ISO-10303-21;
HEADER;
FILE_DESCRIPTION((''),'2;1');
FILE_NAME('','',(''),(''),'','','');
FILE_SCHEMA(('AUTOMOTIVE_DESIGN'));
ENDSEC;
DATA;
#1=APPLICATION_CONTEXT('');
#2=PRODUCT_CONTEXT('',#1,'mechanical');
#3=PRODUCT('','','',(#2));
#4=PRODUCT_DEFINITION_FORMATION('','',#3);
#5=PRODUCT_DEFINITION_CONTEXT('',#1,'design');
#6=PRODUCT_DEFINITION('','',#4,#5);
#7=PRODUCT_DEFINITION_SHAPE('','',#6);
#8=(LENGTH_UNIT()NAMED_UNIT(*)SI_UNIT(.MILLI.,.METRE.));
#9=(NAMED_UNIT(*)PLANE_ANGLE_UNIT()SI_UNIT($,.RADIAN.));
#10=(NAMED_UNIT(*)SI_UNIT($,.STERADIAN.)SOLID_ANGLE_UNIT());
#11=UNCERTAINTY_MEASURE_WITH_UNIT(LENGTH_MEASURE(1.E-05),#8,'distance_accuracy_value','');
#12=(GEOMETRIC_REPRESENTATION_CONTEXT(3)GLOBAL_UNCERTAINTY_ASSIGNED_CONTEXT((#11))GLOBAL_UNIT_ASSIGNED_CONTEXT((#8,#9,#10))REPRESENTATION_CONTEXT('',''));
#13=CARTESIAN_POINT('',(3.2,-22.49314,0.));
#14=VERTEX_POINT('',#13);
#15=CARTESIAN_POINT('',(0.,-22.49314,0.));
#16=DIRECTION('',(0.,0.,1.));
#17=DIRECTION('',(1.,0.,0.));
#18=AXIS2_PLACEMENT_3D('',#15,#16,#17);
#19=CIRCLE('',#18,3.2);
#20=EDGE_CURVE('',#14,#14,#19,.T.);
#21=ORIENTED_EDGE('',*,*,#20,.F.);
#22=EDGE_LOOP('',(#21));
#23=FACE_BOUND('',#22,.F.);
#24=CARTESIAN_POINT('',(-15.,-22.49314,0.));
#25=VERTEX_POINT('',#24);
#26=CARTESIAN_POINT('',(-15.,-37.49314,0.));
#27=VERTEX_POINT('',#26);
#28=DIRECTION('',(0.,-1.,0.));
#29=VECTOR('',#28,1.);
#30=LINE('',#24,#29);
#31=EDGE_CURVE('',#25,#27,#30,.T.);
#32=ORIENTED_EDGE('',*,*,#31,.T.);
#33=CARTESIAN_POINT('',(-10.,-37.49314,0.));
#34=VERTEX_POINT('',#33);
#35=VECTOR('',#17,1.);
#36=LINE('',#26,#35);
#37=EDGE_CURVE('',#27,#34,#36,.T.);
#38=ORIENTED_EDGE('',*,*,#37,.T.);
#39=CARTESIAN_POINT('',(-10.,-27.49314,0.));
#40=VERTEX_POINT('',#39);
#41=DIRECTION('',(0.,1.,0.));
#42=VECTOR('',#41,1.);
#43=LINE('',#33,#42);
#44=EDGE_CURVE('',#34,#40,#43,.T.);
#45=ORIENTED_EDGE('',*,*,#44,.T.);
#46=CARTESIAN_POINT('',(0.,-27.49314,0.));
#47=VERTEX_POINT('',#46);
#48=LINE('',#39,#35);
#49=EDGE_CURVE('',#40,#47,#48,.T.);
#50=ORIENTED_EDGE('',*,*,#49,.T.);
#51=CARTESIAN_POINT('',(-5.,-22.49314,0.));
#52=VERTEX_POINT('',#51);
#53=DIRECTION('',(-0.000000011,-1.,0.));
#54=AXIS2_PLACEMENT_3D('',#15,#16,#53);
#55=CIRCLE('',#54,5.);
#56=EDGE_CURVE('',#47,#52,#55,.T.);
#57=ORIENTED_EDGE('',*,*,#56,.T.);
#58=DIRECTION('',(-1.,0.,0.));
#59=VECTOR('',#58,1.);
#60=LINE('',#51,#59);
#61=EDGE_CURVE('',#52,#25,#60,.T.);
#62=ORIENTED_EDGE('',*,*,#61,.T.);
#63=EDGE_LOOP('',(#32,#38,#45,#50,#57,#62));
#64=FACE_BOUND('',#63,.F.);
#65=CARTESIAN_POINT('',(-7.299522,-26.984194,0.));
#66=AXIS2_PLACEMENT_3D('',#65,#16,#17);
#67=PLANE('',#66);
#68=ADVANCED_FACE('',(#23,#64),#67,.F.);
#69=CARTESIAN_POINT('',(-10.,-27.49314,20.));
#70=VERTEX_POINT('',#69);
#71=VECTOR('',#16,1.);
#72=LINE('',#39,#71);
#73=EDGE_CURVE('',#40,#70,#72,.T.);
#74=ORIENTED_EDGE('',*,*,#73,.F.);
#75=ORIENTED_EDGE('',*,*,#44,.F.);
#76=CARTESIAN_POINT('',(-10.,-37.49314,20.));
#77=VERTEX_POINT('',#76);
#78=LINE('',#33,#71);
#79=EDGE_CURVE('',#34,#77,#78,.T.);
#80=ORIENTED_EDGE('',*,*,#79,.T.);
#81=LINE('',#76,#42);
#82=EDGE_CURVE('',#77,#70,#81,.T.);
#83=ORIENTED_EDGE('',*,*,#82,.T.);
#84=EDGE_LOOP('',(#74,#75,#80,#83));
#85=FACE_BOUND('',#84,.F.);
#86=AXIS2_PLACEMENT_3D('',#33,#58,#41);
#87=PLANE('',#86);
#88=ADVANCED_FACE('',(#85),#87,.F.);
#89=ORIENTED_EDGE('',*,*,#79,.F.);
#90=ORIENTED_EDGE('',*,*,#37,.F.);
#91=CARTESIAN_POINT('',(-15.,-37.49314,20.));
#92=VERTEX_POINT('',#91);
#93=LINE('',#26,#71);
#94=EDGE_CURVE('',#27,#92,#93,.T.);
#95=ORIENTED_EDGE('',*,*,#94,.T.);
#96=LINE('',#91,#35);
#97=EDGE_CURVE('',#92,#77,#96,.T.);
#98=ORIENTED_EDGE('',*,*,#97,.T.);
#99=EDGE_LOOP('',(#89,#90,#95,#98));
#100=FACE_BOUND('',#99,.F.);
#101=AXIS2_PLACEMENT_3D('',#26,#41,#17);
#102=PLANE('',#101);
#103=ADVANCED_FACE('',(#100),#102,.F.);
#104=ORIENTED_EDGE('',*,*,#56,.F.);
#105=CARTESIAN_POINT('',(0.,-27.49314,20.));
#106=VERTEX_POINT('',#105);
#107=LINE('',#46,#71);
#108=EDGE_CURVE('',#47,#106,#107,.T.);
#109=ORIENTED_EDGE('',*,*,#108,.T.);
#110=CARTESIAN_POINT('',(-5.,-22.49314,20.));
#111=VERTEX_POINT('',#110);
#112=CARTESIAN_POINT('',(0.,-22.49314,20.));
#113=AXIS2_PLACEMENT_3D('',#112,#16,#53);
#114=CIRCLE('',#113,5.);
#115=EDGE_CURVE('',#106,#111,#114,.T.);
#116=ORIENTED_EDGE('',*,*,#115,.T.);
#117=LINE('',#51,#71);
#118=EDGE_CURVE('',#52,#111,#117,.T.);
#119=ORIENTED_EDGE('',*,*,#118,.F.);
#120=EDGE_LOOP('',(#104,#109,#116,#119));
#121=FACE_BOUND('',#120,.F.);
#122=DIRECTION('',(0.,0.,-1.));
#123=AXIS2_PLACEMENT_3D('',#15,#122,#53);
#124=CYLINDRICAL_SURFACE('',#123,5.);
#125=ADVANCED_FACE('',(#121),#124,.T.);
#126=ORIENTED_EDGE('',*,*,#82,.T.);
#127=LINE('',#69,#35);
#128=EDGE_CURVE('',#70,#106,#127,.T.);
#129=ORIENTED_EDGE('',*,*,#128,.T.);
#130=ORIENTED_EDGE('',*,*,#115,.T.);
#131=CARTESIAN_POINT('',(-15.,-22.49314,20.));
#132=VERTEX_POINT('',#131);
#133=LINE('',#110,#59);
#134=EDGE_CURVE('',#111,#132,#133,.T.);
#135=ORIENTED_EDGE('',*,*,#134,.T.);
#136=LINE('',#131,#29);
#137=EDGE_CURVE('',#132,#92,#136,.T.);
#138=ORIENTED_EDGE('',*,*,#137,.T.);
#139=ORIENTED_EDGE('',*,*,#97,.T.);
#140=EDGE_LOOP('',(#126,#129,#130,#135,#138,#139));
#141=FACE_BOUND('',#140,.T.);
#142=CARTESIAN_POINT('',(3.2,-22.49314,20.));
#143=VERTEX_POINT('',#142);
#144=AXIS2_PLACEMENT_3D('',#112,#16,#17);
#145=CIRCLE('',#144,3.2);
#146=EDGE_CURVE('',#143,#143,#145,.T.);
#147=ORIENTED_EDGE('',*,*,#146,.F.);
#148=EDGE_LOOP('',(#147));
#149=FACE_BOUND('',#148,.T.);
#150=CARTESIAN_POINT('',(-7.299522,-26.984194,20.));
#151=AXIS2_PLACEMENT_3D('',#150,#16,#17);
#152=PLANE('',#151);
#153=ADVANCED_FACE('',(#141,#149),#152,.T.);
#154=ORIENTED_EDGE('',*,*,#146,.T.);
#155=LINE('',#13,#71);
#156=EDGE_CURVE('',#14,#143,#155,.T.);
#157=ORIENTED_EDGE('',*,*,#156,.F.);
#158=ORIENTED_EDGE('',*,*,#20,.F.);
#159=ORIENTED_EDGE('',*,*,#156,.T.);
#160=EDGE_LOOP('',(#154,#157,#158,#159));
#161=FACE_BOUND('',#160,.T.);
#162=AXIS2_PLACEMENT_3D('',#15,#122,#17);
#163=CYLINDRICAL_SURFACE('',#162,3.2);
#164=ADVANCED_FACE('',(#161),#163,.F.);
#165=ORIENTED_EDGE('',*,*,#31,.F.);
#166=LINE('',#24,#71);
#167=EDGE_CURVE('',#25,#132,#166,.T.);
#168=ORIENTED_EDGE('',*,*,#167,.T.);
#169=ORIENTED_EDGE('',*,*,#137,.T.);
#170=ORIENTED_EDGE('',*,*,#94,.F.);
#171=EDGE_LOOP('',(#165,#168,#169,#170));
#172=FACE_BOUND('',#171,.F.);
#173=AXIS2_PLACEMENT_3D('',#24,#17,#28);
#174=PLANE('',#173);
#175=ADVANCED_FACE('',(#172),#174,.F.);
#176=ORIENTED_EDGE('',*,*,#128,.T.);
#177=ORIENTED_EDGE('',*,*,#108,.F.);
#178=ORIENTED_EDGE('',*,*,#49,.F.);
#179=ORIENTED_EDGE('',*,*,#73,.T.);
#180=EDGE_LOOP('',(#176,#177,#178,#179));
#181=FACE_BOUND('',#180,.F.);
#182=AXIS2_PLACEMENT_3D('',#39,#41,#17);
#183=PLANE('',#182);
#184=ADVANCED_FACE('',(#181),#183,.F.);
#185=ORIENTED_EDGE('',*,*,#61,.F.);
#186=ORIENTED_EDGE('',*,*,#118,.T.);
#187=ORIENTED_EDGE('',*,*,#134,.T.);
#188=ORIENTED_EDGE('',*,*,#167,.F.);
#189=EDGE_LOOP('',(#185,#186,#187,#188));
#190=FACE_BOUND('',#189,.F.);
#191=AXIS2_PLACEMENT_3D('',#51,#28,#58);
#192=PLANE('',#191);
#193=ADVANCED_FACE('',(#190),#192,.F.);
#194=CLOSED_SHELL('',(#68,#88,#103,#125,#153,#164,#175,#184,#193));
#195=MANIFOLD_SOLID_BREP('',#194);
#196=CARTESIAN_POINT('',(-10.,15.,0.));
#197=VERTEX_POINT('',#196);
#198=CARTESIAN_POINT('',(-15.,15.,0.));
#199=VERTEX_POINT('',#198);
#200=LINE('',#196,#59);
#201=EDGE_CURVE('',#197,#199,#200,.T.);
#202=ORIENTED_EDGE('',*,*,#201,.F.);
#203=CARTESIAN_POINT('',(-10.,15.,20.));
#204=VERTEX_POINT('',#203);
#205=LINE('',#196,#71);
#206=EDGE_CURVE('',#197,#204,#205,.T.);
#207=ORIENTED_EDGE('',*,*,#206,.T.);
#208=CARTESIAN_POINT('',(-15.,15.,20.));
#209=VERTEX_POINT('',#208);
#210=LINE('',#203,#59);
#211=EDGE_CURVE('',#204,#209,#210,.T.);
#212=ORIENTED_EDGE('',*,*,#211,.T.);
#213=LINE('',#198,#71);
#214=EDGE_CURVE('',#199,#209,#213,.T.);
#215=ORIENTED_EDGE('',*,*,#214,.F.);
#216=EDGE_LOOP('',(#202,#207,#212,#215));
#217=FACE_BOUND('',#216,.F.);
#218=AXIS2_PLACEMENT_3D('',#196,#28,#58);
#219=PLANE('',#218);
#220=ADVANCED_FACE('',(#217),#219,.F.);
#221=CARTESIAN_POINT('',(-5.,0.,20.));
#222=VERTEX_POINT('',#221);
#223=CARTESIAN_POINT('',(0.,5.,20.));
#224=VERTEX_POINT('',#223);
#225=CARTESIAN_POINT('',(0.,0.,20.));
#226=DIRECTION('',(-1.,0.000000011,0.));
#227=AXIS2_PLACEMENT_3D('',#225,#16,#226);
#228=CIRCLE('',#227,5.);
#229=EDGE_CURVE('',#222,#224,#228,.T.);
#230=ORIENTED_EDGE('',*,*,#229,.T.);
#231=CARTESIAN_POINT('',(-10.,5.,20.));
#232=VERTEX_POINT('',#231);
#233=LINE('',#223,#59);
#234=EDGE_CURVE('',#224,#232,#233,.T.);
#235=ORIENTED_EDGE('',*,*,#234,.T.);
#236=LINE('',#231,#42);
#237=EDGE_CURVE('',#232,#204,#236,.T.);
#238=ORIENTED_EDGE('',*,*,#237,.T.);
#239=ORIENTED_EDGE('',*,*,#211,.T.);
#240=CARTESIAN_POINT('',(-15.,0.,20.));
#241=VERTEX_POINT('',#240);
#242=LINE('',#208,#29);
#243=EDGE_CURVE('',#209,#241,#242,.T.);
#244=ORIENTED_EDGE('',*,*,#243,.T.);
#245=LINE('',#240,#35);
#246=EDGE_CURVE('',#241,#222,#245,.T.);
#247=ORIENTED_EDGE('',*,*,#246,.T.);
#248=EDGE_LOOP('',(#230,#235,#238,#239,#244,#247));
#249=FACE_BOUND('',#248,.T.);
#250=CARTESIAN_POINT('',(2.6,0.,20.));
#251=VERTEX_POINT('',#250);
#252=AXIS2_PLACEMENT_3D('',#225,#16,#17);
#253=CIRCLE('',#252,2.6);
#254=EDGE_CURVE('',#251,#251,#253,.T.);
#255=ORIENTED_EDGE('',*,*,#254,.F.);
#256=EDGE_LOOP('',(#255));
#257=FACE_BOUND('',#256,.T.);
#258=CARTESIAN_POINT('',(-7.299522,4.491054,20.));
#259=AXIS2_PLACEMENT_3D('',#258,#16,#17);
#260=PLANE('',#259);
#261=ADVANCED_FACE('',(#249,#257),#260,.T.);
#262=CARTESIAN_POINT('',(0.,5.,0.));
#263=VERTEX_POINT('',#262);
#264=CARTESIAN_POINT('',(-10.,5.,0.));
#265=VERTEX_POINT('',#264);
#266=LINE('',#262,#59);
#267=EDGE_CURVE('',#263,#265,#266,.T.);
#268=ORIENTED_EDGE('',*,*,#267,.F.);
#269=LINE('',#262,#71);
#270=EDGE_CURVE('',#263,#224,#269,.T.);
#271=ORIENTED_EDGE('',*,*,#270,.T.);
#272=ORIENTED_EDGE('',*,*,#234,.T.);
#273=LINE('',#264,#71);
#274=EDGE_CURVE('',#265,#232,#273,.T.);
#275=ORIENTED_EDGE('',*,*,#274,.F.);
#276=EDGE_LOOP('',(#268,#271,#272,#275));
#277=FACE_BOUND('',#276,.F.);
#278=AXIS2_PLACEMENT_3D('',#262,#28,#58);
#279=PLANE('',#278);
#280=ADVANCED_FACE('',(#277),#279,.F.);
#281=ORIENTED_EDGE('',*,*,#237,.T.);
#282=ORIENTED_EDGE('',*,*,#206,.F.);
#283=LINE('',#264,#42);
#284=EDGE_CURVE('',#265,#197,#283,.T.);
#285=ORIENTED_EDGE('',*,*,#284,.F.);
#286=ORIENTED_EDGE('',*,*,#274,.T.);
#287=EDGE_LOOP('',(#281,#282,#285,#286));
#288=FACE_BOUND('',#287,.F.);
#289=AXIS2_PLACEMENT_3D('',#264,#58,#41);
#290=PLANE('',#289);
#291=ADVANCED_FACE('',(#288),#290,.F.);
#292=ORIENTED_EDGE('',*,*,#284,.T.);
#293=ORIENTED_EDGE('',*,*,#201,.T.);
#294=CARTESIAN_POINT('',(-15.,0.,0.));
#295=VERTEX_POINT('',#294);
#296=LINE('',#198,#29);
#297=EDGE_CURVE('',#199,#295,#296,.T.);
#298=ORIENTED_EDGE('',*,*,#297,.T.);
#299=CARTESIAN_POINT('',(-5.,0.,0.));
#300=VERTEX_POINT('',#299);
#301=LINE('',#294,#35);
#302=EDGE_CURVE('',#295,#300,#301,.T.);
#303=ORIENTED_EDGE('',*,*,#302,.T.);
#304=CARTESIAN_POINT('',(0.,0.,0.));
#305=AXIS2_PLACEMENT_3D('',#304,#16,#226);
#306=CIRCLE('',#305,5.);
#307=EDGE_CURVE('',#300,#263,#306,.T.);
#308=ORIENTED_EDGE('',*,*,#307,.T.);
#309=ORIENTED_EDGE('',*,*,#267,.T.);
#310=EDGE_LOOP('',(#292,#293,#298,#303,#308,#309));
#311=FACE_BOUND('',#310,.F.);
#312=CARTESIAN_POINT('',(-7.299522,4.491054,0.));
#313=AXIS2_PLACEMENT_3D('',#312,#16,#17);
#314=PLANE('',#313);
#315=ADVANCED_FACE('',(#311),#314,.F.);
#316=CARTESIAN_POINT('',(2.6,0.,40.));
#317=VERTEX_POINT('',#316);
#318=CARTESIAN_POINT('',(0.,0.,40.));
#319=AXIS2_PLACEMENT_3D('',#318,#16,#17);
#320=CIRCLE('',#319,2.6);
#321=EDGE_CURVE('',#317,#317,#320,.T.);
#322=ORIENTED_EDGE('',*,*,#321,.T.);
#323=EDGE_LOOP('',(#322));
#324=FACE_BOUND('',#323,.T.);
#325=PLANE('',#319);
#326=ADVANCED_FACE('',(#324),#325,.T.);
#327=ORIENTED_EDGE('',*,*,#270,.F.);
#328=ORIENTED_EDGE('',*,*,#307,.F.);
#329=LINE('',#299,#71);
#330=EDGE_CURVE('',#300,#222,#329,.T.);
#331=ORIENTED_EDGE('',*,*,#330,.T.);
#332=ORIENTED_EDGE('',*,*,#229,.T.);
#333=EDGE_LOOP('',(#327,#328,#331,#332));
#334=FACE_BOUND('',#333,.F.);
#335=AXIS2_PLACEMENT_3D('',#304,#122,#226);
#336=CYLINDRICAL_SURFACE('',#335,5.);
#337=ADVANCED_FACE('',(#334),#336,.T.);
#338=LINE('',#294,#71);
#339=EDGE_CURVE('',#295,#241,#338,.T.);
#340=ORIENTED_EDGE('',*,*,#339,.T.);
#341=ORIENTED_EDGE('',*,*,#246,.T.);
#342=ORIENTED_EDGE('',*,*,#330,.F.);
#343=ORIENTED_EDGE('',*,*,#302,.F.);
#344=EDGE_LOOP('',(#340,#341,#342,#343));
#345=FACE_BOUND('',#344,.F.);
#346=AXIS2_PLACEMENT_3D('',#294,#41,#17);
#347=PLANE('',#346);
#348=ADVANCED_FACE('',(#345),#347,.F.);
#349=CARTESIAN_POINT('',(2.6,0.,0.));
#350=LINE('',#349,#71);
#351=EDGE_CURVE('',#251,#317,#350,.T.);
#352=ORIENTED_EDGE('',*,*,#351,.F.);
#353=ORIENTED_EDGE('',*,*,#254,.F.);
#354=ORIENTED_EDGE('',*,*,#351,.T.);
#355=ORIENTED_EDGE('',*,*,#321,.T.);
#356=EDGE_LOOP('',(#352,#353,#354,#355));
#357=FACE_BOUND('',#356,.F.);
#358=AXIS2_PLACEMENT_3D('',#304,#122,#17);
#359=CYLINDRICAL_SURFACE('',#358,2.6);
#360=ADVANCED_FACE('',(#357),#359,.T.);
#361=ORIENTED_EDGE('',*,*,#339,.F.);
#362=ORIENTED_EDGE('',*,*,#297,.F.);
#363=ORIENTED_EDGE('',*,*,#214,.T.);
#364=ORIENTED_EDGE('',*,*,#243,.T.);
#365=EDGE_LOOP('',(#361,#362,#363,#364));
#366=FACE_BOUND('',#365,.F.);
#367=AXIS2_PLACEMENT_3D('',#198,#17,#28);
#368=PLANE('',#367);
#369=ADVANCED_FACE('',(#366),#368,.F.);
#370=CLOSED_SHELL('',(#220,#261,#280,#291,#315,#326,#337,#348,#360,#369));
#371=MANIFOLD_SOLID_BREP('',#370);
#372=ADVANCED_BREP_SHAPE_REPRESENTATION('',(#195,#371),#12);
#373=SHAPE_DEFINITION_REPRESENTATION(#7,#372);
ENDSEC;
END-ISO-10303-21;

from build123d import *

# Parameters (mm, degrees)
F0_R     = 2.6
F0_R_2   = 3.2
F1_DEPTH = 20
F2_DEPTH = 40


with BuildPart() as f1:
    # F0 (on Top) → F1 (new body)
    with BuildSketch(Plane.XY):
        with BuildLine():
            Line((-15, 15), (-15, 5))
            Line((-15, 5), (-15, 0))
            Line((-15, 0), (-5, 0))
            ThreePointArc((-5, 0), (3.535534, -3.535534), (0, 5))
            Line((0, 5), (-10, 5))
            Line((-10, 5), (-10, 15))
            Line((-10, 15), (-15, 15))
        make_face()
        Circle(F0_R, mode=Mode.SUBTRACT)
        with BuildLine():
            Line((-10, -27.49314), (0, -27.49314))
            ThreePointArc((0, -27.49314), (3.535534, -18.957606), (-5, -22.49314))
            Line((-5, -22.49314), (-15, -22.49314))
            Line((-15, -22.49314), (-15, -27.49314))
            Line((-15, -27.49314), (-15, -37.49314))
            Line((-15, -37.49314), (-10, -37.49314))
            Line((-10, -37.49314), (-10, -27.49314))
        make_face()
        with Locations((0, -22.49314)):
            Circle(F0_R_2, mode=Mode.SUBTRACT)
    extrude(amount=F1_DEPTH)

    # F0 (on Top) → F2 (join)
    with BuildSketch(Plane.XY):
        Circle(F0_R)
    extrude(amount=F2_DEPTH)


solid = f1.part
